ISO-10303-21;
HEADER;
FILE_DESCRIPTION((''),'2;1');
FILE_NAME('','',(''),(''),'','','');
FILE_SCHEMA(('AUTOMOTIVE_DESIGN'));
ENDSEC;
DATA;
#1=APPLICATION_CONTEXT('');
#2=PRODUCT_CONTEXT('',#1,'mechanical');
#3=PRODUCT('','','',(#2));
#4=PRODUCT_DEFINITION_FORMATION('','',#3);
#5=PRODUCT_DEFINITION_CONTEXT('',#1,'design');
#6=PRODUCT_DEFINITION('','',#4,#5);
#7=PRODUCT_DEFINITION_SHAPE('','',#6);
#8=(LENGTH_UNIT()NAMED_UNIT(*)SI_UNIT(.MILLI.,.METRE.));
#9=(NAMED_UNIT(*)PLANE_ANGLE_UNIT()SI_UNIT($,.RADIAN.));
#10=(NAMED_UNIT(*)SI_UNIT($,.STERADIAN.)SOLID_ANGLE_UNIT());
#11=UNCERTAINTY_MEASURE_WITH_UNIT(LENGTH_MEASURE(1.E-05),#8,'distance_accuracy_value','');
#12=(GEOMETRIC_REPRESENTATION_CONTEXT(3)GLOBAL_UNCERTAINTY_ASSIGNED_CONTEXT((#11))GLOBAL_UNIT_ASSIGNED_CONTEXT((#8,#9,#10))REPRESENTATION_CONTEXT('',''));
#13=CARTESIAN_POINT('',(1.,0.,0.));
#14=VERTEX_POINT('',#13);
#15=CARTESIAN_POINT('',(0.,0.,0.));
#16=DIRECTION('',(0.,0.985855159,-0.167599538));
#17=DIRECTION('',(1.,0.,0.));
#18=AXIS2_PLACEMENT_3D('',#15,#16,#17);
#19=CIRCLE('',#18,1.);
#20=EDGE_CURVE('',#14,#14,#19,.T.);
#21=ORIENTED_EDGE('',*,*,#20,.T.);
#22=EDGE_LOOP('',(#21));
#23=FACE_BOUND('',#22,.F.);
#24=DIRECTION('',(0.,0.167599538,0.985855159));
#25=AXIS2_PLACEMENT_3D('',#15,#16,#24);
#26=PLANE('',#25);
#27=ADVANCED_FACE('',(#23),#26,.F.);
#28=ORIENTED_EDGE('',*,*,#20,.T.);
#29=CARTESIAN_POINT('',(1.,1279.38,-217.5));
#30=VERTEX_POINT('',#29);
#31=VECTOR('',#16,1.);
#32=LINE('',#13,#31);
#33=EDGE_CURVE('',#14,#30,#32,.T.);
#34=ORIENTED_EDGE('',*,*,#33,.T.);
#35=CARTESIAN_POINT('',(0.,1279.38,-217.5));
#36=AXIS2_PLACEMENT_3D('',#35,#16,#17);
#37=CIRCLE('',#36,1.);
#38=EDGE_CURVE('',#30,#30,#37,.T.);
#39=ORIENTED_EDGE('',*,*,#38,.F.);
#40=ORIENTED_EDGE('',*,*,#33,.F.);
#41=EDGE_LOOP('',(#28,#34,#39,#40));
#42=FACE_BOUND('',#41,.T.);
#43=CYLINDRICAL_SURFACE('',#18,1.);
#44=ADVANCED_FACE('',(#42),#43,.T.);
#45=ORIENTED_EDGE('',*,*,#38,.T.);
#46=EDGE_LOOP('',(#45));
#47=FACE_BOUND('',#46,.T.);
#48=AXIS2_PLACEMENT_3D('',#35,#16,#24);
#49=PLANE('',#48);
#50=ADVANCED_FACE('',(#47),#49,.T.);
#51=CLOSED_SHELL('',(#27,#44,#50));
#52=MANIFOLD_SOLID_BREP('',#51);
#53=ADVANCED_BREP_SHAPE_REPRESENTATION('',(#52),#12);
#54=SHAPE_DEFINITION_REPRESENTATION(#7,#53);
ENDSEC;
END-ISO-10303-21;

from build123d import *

# Parameters (mm, degrees)
SKETCH_6_R = 1


with BuildPart() as part:
    # 扫描1: sweep along a path in 草图5
    with BuildLine(Plane(origin=(0, 0, 0), x_dir=(0, 0, -1), z_dir=(1, 0, 0))) as sweep_1_path:
        Line((0, 0), (217.5, 1279.38))
    # 草图6 → 扫描1 (sweep)
    with BuildSketch(Plane(origin=(0, 1279.38, -217.5), x_dir=(1, 0, 0), z_dir=(0, 0.985855159, -0.167599538))):
        Circle(SKETCH_6_R)
    sweep(path=sweep_1_path.line)


solid = part.part
